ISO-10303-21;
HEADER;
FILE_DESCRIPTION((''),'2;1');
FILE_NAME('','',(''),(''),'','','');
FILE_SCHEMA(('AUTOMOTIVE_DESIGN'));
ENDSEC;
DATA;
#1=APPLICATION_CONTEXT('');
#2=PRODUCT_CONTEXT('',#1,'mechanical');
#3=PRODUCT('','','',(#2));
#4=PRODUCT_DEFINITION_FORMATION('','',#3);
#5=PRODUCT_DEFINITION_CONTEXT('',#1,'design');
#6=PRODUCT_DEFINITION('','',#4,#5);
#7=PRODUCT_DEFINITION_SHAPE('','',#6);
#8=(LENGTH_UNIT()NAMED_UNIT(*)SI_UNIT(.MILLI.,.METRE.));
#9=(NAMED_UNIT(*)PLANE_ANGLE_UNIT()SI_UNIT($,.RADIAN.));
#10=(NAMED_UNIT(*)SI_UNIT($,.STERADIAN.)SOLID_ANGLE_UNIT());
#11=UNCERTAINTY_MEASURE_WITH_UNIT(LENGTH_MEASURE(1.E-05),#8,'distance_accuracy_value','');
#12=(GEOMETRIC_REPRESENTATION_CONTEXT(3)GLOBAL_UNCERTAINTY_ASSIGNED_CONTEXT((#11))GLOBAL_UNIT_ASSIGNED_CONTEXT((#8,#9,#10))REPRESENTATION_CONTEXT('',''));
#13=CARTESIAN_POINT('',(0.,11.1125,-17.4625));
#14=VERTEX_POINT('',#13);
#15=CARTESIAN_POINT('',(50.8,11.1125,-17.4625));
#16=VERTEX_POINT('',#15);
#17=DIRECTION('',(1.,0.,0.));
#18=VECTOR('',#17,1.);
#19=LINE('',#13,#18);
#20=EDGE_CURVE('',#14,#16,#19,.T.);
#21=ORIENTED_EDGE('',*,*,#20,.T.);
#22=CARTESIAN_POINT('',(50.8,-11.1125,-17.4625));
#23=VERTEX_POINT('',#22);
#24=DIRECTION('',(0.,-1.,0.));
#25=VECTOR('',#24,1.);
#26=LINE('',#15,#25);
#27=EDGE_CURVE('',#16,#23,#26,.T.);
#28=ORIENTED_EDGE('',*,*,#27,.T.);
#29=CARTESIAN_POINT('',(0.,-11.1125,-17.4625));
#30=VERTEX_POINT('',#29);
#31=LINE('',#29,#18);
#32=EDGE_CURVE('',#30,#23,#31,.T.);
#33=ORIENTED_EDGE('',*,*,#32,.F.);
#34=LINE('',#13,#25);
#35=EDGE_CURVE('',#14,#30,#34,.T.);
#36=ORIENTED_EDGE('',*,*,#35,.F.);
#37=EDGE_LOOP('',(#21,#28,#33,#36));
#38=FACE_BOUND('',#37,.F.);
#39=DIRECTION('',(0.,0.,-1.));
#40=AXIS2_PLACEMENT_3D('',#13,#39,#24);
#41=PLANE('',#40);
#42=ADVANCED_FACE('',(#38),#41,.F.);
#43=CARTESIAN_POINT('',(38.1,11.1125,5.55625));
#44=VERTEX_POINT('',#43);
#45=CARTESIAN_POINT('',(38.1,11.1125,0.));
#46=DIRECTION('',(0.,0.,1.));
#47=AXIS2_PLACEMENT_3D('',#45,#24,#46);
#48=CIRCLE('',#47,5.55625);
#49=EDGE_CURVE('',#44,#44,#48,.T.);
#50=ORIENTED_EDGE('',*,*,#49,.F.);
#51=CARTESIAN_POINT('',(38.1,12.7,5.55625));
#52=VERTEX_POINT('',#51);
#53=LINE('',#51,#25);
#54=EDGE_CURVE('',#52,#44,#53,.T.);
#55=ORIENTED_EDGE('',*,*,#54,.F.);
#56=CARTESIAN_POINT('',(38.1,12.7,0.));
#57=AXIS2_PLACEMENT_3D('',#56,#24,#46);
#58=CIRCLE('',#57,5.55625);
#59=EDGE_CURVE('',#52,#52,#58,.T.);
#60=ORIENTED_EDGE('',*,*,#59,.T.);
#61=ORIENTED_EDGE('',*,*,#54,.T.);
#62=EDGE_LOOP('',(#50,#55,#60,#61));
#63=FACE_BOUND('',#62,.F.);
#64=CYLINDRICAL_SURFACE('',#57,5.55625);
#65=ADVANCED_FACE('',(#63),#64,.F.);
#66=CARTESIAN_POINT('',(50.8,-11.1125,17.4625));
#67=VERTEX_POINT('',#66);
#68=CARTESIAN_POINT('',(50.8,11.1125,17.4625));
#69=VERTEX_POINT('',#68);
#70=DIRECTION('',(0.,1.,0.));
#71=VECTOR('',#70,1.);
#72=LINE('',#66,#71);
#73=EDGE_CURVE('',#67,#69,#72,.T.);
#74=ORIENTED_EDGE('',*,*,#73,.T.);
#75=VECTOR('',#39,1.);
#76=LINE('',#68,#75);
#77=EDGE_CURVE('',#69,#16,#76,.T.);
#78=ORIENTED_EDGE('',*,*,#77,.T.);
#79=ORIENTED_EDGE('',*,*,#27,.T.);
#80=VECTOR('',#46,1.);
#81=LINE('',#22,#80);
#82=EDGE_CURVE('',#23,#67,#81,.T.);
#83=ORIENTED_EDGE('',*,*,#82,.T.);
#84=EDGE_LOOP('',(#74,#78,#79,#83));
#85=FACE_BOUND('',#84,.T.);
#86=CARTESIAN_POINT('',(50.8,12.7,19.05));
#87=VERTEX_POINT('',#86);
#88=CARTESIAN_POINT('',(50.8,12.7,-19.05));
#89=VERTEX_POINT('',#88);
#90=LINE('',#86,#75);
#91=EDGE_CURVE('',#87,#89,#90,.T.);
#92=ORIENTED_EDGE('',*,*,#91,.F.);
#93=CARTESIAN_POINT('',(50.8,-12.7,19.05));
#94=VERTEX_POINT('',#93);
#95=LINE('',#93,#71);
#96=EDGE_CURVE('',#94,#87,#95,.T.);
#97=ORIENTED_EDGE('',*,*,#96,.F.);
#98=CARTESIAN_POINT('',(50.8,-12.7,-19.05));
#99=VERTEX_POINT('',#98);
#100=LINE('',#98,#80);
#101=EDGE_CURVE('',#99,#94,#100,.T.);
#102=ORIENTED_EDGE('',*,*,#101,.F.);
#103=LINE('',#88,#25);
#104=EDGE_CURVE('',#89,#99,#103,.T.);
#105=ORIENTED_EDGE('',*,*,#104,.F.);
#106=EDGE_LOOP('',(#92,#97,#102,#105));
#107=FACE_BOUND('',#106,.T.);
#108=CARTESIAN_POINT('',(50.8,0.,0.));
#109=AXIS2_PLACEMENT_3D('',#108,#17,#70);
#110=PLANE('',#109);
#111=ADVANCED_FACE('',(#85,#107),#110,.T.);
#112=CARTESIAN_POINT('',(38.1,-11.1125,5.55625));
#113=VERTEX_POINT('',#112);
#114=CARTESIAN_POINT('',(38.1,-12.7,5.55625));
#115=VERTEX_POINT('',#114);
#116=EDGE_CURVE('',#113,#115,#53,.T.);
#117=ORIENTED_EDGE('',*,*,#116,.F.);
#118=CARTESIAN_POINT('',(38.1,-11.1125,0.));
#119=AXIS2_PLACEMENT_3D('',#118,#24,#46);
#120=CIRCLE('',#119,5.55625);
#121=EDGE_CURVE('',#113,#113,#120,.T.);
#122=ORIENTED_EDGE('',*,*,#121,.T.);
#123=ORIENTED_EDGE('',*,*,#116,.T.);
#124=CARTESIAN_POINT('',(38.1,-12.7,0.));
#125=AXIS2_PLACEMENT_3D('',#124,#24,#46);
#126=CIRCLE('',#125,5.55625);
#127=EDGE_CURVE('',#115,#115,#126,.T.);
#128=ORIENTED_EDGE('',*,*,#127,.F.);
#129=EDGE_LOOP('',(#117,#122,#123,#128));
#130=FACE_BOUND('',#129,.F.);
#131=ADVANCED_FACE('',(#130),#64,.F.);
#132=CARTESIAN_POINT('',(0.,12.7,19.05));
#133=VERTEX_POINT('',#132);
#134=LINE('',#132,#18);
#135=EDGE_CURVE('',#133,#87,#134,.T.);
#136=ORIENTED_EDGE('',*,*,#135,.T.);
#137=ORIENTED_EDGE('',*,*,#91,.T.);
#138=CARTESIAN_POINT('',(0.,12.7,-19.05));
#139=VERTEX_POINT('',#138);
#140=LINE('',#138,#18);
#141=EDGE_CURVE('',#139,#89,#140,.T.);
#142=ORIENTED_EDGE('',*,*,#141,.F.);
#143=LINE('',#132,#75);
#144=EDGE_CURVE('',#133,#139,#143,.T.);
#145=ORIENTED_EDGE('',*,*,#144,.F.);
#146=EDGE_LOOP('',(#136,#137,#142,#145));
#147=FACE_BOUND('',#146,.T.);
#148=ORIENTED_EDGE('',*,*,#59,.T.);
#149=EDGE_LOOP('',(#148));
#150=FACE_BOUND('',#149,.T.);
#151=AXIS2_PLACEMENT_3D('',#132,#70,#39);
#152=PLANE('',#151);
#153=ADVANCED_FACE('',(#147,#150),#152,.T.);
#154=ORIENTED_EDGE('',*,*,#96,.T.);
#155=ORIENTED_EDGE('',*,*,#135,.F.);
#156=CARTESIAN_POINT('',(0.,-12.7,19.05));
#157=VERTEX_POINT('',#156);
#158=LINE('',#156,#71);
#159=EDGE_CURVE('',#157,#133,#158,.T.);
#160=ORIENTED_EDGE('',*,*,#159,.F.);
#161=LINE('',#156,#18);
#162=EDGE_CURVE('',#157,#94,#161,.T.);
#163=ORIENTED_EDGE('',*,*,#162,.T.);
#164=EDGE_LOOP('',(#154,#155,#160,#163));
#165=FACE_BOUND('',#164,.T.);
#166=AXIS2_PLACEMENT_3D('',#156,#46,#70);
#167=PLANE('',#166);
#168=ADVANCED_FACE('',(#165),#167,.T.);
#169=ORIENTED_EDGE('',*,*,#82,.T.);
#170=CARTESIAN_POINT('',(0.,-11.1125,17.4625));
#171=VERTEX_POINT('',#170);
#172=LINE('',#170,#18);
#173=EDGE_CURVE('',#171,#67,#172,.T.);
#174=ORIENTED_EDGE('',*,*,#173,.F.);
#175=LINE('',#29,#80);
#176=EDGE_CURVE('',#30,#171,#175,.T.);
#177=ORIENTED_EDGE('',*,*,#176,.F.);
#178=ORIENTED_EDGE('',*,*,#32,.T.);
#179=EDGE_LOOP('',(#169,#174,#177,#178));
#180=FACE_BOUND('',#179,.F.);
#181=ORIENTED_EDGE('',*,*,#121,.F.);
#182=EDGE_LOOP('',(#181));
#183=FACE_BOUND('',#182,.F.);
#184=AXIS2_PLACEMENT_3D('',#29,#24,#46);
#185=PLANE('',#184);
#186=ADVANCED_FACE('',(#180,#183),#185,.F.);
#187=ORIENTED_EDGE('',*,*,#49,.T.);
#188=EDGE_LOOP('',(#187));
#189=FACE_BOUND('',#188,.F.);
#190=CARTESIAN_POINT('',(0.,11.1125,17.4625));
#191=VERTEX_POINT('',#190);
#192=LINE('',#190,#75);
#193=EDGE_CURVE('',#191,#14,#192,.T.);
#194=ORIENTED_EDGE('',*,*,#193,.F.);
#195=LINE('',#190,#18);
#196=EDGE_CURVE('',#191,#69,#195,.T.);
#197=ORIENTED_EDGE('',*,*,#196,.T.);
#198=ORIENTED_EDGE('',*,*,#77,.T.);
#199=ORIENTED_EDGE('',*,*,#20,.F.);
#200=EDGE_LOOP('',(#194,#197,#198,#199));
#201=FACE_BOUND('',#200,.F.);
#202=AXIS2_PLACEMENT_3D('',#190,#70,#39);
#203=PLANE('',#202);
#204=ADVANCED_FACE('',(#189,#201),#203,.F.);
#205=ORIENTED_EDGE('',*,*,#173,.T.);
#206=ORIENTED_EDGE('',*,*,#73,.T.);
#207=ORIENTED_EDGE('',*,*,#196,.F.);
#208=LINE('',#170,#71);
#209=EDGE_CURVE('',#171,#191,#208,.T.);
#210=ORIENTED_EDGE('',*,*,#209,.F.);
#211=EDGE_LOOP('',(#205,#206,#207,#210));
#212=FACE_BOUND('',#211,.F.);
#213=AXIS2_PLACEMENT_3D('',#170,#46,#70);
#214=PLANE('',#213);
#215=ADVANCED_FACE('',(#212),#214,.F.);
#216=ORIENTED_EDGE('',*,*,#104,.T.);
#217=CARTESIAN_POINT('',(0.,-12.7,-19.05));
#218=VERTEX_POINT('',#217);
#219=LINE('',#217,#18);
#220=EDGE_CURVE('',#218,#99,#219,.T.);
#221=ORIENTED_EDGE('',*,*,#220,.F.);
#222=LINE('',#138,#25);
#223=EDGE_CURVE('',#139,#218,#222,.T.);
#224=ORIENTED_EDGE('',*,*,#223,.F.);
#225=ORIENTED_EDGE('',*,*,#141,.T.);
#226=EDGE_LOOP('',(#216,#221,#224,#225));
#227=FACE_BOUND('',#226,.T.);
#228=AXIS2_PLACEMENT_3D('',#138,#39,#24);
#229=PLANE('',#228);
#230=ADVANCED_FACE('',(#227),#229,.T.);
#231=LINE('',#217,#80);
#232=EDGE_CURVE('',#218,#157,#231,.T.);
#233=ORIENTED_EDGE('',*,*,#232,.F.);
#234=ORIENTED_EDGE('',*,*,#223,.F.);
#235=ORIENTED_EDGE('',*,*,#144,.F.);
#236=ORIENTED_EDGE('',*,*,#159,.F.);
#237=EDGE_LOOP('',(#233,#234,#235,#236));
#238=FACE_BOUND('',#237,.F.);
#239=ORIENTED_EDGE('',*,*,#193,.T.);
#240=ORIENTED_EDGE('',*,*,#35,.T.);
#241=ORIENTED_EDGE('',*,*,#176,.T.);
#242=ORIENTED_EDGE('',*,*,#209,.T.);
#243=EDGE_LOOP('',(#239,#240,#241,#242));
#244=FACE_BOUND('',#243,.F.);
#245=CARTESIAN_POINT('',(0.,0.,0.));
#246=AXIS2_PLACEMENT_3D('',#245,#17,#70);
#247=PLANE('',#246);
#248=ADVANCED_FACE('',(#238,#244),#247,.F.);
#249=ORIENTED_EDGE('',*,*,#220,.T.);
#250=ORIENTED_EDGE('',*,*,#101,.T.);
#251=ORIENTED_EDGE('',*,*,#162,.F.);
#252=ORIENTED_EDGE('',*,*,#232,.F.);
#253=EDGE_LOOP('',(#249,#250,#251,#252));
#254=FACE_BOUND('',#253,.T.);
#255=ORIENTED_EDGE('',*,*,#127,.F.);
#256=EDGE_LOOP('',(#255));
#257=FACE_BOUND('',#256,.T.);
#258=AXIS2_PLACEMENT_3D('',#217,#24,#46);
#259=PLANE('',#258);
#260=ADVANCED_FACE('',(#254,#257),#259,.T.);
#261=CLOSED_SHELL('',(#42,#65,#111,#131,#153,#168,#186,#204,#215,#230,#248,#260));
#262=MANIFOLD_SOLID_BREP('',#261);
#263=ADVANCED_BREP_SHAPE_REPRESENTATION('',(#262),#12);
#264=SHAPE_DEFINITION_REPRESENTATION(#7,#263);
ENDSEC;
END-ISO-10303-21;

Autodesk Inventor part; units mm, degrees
ref_plane "Work Plane3" through (0, 12.7, 0) normal (0, 1, 0) x (-1, 0, 0)
ref_plane "Start Plane" through (0, 0, 0) normal (1, 0, 0) x (0, 1, 0)
ref_plane "End Plane" through (50.8, 0, 0) normal (1, 0, 0) x (0, 1, 0)
sketch "Sketch" plane through (0, 0, 0) normal (1, 0, 0) x (0, 1, 0)
  line L0 (-12.7, 19.05) -> (12.7, 19.05)
  line L1 (12.7, 19.05) -> (12.7, -19.05)
  line L2 (12.7, -19.05) -> (-12.7, -19.05)
  line L3 (-12.7, -19.05) -> (-12.7, 19.05)
  line L4 (-12.7, 19.05) -> (12.7, -19.05) construction
  line L5 (12.7, 19.05) -> (-12.7, -19.05) construction
  line L6 (-11.1125, 17.4625) -> (11.1125, 17.4625)
  line L7 (11.1125, 17.4625) -> (11.1125, -17.4625)
  line L8 (11.1125, -17.4625) -> (-11.1125, -17.4625)
  line L9 (-11.1125, -17.4625) -> (-11.1125, 17.4625)
  line L10 (-11.1125, 17.4625) -> (11.1125, -17.4625) construction
  line L11 (11.1125, 17.4625) -> (-11.1125, -17.4625) construction
  point P0 (0, 0)
  dimension "d0" = 38.1
  dimension "d1" = 25.4
  dimension "d2" = 1.5875
  dimension "d3" = 1.5875
extrude "Body" add sketch "Sketch" along normal up to surface (50.8 mm away) from surface at 0
sketch "Sketch8" plane through (0, 0, 0) normal (1, 0, 0) x (0, 1, 0)
  line L0 (0, 0) -> (10, 0)
ref_plane "Work Plane6" through (0, 0, 0) normal (0, 0, -1) x (0, 1, 0)
sketch "Sketch9" plane through (0, 0, 0) normal (0, 0, -1) x (0, 1, 0)
  line L0 (-17.78, 0) -> (17.78, 0)
  line L1 (-17.78, 50.8) -> (17.78, 50.8)
  dimension "d21" = 50.8
sketch "Sketch5" plane through (0, 12.7, -19.05) normal (0, 1, 0) x (1, 0, 0)
  line L0 (0, -38.1) -> (0, 0) projected
  point P0 (0, -19.05)
  point P1 (38.1, -19.05)
  dimension "d22" = 38.1
hole "Hole2" at (38.1, 12.7, 0) direction (0, -1, 0) diameter 11.1125 end through all
equation "\"d3\" = d2"
equation "\"G_OFFSET_START\" = 0"
equation "\"G_OFFSET_END\" = 0"
equation "\"d17\" = d4 + G_OFFSET_END"
equation "\"G_L\" = d21"
equation "\"d4\" = 50.8"
properties part number "1606067045337"
